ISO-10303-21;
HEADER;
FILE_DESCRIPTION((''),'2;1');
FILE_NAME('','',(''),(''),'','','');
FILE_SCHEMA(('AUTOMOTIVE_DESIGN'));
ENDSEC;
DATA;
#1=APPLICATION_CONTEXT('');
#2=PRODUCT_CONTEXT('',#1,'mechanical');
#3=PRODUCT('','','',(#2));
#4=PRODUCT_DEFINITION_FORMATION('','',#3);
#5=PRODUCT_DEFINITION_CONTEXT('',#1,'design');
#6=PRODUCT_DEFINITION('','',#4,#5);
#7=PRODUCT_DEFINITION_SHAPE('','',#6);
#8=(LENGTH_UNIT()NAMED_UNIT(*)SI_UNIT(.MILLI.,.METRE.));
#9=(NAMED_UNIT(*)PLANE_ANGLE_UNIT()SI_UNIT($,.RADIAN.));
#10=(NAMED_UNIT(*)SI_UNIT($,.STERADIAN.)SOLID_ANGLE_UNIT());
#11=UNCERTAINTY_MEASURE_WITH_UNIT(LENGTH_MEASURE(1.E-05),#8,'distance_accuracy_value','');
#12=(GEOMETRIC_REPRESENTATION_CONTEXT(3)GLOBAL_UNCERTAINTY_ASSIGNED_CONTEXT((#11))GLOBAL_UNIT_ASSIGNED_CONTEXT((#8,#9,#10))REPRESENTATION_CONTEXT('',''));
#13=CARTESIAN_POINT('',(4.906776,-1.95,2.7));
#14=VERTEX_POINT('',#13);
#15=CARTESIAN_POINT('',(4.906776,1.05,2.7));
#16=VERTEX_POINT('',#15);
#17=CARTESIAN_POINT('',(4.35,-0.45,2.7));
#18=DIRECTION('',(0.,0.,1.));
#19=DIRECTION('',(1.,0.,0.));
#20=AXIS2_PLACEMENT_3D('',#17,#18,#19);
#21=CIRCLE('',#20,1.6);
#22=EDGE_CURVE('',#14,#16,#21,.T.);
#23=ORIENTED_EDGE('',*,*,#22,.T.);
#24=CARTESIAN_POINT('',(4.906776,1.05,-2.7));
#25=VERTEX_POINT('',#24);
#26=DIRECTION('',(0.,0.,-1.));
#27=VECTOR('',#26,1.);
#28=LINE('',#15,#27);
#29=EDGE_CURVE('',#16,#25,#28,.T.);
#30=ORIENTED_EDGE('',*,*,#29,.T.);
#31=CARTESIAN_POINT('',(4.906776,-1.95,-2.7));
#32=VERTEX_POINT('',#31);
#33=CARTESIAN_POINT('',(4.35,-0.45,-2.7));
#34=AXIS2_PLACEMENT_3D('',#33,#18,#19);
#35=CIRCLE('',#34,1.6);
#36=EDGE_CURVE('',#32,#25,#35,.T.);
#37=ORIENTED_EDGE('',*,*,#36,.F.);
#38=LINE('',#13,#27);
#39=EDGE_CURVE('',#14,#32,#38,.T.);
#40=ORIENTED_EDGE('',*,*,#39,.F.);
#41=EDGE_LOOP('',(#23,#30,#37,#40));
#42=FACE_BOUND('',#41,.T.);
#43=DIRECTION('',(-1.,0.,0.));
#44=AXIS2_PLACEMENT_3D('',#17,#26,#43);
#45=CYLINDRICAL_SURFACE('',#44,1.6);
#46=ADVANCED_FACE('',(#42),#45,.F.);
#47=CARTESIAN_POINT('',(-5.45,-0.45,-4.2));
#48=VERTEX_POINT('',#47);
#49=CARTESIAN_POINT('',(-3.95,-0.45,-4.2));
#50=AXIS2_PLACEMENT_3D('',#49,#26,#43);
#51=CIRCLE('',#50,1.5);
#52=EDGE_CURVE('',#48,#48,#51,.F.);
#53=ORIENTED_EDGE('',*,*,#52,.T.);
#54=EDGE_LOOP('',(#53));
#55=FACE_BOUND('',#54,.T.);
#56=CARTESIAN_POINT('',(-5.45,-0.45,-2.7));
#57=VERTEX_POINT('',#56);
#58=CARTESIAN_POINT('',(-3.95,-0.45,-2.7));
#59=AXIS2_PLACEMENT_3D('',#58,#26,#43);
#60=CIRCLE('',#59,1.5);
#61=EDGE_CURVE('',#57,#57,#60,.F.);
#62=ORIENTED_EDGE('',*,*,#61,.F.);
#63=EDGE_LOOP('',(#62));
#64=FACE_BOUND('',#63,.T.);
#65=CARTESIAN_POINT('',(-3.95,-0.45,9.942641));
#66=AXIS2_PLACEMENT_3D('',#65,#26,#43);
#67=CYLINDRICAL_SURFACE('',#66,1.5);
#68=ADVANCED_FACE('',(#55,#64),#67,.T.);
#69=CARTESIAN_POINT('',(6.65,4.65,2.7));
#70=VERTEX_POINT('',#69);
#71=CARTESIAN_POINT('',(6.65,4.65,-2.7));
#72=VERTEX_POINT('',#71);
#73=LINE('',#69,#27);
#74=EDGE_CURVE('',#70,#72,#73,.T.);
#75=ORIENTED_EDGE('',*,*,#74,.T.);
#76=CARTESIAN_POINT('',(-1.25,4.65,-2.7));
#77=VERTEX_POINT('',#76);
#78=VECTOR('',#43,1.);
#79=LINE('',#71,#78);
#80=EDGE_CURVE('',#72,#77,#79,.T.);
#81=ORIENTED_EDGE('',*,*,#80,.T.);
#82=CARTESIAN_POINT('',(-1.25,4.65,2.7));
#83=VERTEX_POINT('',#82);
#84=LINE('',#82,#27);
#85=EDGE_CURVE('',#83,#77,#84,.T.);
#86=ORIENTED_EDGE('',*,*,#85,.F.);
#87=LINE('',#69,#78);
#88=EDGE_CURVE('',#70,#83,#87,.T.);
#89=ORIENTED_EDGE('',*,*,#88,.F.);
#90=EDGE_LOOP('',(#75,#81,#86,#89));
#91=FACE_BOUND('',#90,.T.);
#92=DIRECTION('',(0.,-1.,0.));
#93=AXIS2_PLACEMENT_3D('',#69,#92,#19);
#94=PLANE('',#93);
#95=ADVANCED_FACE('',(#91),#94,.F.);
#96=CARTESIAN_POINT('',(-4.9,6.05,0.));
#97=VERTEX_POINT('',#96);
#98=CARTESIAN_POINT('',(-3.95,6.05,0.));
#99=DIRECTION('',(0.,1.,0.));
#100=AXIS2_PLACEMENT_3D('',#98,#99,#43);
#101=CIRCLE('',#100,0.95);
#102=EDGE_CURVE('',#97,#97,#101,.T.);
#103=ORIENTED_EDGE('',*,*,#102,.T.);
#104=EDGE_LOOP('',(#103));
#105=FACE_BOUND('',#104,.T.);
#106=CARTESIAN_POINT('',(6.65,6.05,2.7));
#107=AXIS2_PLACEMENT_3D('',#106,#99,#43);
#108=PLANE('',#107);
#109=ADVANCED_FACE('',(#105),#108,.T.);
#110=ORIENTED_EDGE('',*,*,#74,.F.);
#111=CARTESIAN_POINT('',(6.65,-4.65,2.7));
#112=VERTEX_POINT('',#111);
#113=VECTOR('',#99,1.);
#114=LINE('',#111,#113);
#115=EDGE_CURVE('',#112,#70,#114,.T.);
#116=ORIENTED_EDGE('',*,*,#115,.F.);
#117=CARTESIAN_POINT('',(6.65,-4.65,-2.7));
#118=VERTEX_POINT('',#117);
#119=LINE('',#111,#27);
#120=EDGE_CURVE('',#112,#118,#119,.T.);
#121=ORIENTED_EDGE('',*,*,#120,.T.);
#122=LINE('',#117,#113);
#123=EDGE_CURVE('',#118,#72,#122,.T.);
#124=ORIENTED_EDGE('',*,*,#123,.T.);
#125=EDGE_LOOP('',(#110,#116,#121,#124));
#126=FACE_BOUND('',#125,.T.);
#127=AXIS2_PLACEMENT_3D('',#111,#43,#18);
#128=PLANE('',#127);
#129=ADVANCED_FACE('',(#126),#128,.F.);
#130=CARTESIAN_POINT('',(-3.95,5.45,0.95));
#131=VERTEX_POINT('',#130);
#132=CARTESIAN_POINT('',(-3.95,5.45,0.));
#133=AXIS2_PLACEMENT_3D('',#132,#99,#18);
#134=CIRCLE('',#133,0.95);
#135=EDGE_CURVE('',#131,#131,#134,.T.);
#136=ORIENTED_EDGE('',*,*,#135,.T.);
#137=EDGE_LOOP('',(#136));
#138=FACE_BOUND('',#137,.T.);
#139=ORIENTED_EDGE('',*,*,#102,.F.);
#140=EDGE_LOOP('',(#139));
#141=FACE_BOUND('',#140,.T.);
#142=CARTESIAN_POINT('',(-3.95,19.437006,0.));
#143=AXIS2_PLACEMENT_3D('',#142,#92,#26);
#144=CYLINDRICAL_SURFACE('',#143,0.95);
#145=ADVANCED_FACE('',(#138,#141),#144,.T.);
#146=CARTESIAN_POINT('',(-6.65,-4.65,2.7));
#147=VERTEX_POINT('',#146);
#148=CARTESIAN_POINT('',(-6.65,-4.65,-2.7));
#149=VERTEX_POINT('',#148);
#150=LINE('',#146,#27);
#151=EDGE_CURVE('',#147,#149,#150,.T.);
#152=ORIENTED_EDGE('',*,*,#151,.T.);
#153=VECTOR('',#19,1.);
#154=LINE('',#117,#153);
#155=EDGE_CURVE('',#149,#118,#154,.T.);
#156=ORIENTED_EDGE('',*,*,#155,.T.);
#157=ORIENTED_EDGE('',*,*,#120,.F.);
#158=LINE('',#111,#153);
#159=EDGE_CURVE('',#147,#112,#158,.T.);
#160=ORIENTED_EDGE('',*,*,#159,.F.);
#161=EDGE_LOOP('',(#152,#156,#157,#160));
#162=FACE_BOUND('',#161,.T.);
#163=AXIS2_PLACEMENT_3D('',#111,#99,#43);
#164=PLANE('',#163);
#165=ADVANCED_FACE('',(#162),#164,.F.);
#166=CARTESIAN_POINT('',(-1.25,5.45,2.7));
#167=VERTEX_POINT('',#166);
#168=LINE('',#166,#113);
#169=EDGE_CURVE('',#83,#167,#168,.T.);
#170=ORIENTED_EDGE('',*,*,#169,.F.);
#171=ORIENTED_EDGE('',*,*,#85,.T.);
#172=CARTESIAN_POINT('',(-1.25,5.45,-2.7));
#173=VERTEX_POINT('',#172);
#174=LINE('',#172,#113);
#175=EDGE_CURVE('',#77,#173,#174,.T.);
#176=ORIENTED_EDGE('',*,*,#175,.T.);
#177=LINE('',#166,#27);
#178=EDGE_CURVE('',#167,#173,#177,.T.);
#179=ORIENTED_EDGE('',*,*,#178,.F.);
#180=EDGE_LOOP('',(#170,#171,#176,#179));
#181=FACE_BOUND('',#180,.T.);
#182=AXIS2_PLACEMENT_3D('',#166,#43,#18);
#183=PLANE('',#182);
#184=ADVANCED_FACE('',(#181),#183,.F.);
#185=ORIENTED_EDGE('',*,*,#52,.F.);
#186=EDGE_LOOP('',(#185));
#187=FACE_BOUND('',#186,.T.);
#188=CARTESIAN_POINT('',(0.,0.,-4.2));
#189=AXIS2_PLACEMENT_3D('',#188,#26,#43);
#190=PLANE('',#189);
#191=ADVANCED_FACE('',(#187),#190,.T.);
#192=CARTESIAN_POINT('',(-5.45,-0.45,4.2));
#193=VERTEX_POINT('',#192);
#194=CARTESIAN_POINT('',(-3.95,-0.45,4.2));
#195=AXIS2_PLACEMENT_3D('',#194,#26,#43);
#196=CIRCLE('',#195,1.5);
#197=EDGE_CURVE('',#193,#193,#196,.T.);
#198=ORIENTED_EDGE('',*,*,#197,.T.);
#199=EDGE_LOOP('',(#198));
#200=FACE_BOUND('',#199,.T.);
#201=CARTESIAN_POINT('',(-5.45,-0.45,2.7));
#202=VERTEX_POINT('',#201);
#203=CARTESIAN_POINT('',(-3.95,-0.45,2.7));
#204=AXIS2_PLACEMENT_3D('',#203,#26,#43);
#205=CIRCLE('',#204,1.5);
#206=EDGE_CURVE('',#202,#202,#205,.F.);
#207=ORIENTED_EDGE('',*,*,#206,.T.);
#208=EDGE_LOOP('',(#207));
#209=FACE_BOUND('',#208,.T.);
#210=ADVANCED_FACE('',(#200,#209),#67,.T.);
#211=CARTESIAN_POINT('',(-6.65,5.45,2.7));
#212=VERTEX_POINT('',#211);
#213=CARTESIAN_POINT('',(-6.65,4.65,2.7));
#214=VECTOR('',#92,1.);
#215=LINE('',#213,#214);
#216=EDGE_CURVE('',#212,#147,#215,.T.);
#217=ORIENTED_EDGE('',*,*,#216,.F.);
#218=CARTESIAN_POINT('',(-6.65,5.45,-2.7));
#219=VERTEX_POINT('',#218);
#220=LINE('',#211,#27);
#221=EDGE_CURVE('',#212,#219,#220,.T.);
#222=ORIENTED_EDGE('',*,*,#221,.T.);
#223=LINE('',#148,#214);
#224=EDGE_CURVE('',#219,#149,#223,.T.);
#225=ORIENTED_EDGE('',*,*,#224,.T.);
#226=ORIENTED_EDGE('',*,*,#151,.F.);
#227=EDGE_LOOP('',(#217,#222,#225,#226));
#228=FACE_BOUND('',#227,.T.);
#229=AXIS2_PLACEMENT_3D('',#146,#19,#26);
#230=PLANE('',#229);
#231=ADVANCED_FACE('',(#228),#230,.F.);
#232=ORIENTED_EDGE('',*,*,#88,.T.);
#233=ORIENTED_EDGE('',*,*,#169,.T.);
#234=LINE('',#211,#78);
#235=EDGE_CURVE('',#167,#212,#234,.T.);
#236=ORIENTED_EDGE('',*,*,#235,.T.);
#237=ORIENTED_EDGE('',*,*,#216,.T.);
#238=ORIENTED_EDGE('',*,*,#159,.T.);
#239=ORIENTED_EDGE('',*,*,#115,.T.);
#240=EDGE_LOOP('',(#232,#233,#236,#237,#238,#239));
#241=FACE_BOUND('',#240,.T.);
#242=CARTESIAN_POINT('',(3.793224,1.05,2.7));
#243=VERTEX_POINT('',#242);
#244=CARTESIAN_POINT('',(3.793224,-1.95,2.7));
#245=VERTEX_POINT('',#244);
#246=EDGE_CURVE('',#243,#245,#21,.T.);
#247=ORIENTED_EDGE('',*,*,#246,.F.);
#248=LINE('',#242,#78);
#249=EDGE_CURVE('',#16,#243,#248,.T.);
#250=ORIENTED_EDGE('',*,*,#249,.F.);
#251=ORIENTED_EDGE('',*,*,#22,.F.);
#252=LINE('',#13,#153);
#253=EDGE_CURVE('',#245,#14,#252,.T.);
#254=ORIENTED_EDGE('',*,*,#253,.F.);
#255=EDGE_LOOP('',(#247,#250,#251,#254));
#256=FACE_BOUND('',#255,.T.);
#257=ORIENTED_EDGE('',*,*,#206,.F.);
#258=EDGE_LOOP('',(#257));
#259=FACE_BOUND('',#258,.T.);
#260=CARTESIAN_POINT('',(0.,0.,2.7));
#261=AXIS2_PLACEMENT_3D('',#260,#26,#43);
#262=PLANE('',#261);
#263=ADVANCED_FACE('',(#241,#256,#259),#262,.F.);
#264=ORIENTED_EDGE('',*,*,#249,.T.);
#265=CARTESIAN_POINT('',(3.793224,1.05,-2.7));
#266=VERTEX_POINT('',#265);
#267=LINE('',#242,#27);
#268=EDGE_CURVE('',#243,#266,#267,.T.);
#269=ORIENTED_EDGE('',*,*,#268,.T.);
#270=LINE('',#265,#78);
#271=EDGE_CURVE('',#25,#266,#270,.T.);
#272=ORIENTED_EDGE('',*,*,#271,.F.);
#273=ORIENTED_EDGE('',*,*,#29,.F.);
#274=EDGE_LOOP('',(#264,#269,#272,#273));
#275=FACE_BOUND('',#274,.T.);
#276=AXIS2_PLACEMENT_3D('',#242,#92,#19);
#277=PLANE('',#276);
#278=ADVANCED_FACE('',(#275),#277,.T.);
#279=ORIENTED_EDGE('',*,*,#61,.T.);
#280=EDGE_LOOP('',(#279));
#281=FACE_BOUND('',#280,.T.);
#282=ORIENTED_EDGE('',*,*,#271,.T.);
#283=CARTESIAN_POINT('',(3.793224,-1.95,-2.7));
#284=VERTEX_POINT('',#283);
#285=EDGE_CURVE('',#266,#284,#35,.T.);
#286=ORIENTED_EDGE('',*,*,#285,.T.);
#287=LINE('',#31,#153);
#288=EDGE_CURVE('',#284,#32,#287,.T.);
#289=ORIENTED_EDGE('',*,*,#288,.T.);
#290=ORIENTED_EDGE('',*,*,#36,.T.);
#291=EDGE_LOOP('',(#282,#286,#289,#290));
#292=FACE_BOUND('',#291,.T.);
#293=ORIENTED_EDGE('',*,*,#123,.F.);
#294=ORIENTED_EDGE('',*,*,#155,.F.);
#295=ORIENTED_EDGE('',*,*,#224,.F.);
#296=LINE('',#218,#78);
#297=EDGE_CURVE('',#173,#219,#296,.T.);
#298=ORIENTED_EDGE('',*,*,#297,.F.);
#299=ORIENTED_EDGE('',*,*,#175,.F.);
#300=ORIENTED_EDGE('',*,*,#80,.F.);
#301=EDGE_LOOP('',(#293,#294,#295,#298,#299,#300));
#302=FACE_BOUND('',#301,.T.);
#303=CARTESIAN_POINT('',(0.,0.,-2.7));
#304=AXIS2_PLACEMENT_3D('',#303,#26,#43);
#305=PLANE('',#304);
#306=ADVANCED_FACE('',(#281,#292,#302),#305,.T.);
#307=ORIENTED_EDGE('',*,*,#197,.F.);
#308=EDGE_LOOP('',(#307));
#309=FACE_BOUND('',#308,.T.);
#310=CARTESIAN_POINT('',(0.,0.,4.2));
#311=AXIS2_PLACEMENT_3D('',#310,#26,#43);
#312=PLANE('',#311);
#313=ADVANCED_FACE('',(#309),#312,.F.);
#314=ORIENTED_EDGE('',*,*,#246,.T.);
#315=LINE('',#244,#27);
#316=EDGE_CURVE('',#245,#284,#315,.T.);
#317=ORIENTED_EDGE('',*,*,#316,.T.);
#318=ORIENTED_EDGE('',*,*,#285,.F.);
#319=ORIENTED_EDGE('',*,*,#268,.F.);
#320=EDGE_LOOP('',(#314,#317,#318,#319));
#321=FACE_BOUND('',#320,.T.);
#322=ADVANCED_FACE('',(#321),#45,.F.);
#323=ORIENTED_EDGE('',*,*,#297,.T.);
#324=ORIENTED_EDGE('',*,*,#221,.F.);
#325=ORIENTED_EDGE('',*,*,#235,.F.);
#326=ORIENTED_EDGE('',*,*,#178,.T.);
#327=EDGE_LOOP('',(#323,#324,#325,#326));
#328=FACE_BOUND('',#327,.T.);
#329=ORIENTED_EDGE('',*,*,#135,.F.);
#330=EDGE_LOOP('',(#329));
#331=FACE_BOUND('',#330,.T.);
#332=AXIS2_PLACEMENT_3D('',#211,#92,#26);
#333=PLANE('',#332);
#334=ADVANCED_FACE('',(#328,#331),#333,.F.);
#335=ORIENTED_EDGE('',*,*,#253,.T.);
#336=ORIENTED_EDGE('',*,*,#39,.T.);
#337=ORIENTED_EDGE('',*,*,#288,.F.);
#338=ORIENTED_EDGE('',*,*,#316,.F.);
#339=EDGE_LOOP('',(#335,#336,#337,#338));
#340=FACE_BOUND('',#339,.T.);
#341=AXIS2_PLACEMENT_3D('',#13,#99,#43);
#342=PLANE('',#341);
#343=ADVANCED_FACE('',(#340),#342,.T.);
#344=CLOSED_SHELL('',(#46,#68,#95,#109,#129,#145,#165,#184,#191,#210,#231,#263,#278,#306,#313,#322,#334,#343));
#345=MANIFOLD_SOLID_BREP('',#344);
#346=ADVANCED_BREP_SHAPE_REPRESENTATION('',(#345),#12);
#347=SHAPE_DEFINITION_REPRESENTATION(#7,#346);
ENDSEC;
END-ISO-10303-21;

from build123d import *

# Parameters (mm, degrees)
BOSS_EXTRUDE1_DEPTH      = 2.7
BOSS_EXTRUDE2_DEPTH      = 4.2
BOSS_EXTRUDE2_DEPTH_BACK = 4.2
SKETCH3_R                = 1.5
SKETCH4_R                = 0.95
BOSS_EXTRUDE3_DEPTH      = 0.6


with BuildPart() as part:
    # Sketch1 → Boss-Extrude1 (new, symmetric)
    with BuildSketch(Plane.XY):
        Polygon((6.65, -4.65), (-6.65, -4.65), (-6.65, 4.65), (-6.65, 5.45), (-1.25, 5.45), (-1.25, 4.65), (6.65, 4.65), align=None)
        with BuildLine():
            Line((3.793223564, 1.05), (4.906776436, 1.05))
            ThreePointArc((4.906776436, 1.05), (5.95, -0.45), (4.906776436, -1.95))
            Line((4.906776436, -1.95), (3.793223564, -1.95))
            ThreePointArc((3.793223564, -1.95), (2.75, -0.45), (3.793223564, 1.05))
        make_face(mode=Mode.SUBTRACT)
    extrude(amount=BOSS_EXTRUDE1_DEPTH, both=True)

    # Sketch3 → Boss-Extrude2 (add, two sides: drawn at the far end of the back side and taken through both)
    with BuildSketch(Plane.XY.offset(-BOSS_EXTRUDE2_DEPTH_BACK)):
        with Locations(Location((-3.95, -0.45, 0), (0, 0, 180))):
            Circle(SKETCH3_R)
    extrude(amount=BOSS_EXTRUDE2_DEPTH + BOSS_EXTRUDE2_DEPTH_BACK)

    # Sketch4 → Boss-Extrude3 (add)
    with BuildSketch(Plane(origin=(0, 5.45, 0), x_dir=(1, 0, 0), z_dir=(0, 1, 0))):
        with Locations(Location((-3.95, 0, 0), (0, 0, 180))):
            Circle(SKETCH4_R)
    extrude(amount=BOSS_EXTRUDE3_DEPTH)


solid = part.part
